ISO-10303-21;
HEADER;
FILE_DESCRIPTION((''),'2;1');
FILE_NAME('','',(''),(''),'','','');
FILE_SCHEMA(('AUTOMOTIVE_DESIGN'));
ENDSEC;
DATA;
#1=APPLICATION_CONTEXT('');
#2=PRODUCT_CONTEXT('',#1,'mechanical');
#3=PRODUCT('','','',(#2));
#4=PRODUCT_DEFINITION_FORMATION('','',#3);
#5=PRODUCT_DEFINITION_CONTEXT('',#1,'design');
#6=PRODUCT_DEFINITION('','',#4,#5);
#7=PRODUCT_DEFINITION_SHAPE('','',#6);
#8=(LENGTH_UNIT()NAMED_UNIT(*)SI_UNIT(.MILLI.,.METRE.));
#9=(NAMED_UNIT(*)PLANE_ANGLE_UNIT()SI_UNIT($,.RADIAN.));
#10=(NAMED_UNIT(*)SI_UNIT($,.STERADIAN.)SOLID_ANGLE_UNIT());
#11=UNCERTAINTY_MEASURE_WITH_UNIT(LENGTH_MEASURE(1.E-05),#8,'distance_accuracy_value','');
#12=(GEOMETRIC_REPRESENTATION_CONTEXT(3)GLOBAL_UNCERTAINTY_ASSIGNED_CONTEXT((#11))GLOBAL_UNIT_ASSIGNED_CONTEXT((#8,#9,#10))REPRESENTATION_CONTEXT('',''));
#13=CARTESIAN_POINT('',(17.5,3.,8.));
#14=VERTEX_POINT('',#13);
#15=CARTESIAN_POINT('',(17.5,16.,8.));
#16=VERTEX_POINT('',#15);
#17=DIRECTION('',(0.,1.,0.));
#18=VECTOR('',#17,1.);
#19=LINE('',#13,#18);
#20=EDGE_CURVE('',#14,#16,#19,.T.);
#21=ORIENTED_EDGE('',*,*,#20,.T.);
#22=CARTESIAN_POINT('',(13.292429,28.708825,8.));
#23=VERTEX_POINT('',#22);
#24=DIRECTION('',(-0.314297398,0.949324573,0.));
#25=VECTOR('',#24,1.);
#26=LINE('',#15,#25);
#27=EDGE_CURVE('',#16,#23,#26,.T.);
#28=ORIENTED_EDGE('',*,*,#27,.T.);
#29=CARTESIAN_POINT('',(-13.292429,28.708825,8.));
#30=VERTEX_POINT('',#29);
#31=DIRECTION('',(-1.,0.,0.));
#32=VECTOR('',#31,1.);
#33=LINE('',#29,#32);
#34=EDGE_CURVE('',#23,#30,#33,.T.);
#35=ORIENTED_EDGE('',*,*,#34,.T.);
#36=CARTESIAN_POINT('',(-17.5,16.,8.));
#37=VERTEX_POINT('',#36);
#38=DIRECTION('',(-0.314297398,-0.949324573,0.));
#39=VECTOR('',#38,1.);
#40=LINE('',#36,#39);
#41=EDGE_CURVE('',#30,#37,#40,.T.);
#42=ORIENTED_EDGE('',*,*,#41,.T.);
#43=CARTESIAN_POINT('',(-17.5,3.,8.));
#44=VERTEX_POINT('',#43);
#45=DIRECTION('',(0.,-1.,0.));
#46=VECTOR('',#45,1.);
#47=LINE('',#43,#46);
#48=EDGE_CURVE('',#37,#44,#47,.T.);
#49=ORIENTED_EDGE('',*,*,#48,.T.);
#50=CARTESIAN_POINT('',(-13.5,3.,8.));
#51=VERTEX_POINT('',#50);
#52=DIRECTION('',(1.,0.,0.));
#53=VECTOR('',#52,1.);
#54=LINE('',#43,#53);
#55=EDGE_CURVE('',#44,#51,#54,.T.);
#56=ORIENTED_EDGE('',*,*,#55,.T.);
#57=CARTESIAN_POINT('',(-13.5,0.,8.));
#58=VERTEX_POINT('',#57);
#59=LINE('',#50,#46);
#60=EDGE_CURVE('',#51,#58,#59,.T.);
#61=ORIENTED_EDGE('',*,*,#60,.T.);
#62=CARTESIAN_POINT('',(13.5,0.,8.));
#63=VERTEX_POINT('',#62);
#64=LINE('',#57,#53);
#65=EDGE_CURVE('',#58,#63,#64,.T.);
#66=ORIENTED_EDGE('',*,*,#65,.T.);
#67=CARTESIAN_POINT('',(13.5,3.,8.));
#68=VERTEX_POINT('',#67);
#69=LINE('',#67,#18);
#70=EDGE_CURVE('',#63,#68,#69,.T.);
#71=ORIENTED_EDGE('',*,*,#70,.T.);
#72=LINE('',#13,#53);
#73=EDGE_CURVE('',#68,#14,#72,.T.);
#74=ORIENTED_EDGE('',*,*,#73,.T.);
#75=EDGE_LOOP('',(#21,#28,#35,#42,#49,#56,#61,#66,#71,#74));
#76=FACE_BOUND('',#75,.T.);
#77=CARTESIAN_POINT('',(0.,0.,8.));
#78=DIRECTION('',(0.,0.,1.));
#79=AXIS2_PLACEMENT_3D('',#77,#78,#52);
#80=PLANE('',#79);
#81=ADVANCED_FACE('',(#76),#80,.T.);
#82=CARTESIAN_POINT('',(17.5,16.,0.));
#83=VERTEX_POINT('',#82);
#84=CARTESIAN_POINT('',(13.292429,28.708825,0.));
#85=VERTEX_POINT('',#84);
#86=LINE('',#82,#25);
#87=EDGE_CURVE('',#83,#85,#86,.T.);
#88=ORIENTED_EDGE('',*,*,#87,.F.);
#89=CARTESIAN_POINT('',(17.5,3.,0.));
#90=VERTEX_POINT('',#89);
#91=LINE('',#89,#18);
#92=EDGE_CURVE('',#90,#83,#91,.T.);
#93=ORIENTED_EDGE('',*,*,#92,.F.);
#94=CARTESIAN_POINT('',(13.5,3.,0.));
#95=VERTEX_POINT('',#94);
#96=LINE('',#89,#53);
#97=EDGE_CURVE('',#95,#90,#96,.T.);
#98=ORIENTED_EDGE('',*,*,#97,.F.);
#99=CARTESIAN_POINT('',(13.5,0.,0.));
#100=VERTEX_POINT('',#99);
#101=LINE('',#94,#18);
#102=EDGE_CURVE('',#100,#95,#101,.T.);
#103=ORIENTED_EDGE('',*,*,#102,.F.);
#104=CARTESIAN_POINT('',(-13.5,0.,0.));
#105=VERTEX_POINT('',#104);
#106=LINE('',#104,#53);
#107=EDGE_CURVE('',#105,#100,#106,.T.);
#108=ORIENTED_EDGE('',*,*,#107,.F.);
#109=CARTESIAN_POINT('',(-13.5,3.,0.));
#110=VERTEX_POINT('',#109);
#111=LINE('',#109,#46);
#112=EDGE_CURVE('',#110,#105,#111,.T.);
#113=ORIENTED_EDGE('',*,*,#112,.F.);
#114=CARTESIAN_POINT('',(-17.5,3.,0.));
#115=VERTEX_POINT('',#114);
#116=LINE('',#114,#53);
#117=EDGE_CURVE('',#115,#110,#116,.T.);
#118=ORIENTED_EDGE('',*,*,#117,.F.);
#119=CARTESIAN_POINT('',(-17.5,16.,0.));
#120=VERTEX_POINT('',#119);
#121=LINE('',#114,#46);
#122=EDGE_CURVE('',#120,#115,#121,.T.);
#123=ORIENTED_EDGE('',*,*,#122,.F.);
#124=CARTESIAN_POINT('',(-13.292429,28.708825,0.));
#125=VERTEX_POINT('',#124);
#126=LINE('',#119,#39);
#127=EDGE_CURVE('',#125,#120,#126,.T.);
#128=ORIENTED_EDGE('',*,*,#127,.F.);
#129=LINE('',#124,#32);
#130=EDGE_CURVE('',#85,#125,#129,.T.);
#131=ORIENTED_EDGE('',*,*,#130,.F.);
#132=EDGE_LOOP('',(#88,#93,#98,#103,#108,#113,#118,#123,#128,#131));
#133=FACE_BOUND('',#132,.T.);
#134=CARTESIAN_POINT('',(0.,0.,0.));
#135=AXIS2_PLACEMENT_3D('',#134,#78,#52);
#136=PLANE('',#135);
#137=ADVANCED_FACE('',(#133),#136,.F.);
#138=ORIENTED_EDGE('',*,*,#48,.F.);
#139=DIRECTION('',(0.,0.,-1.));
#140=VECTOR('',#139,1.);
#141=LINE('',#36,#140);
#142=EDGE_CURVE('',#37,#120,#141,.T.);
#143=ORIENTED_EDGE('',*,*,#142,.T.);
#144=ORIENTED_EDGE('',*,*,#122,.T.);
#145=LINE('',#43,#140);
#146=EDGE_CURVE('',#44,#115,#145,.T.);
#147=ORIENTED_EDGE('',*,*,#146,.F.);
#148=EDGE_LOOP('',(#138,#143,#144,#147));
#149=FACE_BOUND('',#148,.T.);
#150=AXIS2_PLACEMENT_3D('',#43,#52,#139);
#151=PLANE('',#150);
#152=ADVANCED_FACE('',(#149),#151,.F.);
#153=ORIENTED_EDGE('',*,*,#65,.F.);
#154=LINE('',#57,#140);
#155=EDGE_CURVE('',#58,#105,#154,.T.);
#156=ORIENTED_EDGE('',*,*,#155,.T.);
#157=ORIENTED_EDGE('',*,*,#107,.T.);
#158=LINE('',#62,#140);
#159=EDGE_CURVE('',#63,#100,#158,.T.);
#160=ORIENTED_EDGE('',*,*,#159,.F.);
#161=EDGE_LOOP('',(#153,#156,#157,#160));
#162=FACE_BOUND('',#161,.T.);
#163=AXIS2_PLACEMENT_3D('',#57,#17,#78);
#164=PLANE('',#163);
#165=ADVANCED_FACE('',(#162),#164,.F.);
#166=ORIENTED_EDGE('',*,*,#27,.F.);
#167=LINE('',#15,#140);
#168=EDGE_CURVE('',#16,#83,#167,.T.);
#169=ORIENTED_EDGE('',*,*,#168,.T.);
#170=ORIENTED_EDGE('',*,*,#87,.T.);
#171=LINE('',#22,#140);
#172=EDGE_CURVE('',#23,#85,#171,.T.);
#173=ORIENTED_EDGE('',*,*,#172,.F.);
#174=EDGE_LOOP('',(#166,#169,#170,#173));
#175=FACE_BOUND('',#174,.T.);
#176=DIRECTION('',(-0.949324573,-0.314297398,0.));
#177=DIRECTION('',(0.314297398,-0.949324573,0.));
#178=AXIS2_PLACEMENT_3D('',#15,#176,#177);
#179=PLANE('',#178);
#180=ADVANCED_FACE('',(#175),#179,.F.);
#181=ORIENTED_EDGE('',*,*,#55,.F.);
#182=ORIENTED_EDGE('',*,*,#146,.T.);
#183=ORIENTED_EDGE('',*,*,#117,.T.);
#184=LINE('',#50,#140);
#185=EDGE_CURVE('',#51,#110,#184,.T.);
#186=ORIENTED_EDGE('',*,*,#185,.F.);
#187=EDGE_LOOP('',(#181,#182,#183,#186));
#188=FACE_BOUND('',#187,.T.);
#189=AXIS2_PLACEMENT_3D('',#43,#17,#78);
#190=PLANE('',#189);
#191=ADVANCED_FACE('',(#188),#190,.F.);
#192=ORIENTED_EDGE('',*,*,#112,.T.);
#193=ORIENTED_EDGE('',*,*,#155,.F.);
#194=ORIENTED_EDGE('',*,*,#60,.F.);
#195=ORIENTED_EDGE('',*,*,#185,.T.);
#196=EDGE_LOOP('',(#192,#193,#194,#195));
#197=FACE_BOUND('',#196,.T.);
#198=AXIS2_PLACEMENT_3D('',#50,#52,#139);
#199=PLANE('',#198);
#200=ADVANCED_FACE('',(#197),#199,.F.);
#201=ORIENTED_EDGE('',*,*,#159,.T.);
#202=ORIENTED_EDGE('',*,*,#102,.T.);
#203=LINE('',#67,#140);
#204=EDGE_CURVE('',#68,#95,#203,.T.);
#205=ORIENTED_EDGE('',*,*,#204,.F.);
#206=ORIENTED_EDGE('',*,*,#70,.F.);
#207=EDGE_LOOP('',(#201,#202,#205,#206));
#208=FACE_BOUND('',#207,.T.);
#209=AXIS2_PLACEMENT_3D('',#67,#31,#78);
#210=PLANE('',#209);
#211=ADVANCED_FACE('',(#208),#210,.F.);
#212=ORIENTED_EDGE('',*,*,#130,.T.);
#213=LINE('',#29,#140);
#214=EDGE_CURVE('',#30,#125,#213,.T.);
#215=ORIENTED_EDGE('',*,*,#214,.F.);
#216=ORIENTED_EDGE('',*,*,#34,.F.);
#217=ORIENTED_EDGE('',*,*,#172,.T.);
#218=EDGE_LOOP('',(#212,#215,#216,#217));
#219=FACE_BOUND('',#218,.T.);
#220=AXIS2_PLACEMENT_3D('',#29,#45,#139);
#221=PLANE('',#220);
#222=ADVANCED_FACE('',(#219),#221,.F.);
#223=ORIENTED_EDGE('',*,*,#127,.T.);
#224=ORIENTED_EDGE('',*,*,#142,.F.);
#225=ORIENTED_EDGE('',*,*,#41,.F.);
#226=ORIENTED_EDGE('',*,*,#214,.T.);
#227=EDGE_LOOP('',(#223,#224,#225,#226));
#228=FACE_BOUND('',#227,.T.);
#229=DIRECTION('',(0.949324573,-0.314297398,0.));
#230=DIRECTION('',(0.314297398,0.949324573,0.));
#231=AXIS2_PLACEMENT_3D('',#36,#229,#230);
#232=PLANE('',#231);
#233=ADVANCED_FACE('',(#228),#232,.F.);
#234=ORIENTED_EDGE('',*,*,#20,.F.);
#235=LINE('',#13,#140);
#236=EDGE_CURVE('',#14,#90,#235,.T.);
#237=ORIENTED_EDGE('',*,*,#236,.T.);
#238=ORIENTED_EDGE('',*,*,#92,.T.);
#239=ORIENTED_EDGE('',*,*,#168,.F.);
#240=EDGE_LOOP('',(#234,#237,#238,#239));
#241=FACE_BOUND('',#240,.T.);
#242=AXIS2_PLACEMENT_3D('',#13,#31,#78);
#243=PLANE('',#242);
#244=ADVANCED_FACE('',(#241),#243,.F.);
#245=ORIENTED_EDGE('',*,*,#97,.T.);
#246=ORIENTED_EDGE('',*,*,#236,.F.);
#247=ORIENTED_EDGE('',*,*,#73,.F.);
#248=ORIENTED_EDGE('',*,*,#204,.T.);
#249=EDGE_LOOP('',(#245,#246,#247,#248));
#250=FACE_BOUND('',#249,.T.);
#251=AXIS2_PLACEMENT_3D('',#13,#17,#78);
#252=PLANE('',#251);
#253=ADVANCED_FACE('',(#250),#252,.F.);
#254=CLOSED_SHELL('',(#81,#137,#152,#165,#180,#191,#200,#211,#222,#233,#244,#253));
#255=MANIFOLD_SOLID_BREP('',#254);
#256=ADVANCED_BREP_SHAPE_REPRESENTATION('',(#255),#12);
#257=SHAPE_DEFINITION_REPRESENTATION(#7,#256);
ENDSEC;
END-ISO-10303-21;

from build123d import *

# Parameters (mm, degrees)
EXTRUDE_1_DEPTH = 8


with BuildPart() as part:
    # Эскиз1 → Бобышка-Вытянуть1 (new body)
    with BuildSketch(Plane.XY):
        Polygon((-13.5, 0), (13.5, 0), (13.5, 3), (17.5, 3), (17.5, 16), (13.292429035, 28.708824613), (-13.292429035, 28.708824613), (-17.5, 16), (-17.5, 3), (-13.5, 3), align=None)
    extrude(amount=EXTRUDE_1_DEPTH)


solid = part.part
